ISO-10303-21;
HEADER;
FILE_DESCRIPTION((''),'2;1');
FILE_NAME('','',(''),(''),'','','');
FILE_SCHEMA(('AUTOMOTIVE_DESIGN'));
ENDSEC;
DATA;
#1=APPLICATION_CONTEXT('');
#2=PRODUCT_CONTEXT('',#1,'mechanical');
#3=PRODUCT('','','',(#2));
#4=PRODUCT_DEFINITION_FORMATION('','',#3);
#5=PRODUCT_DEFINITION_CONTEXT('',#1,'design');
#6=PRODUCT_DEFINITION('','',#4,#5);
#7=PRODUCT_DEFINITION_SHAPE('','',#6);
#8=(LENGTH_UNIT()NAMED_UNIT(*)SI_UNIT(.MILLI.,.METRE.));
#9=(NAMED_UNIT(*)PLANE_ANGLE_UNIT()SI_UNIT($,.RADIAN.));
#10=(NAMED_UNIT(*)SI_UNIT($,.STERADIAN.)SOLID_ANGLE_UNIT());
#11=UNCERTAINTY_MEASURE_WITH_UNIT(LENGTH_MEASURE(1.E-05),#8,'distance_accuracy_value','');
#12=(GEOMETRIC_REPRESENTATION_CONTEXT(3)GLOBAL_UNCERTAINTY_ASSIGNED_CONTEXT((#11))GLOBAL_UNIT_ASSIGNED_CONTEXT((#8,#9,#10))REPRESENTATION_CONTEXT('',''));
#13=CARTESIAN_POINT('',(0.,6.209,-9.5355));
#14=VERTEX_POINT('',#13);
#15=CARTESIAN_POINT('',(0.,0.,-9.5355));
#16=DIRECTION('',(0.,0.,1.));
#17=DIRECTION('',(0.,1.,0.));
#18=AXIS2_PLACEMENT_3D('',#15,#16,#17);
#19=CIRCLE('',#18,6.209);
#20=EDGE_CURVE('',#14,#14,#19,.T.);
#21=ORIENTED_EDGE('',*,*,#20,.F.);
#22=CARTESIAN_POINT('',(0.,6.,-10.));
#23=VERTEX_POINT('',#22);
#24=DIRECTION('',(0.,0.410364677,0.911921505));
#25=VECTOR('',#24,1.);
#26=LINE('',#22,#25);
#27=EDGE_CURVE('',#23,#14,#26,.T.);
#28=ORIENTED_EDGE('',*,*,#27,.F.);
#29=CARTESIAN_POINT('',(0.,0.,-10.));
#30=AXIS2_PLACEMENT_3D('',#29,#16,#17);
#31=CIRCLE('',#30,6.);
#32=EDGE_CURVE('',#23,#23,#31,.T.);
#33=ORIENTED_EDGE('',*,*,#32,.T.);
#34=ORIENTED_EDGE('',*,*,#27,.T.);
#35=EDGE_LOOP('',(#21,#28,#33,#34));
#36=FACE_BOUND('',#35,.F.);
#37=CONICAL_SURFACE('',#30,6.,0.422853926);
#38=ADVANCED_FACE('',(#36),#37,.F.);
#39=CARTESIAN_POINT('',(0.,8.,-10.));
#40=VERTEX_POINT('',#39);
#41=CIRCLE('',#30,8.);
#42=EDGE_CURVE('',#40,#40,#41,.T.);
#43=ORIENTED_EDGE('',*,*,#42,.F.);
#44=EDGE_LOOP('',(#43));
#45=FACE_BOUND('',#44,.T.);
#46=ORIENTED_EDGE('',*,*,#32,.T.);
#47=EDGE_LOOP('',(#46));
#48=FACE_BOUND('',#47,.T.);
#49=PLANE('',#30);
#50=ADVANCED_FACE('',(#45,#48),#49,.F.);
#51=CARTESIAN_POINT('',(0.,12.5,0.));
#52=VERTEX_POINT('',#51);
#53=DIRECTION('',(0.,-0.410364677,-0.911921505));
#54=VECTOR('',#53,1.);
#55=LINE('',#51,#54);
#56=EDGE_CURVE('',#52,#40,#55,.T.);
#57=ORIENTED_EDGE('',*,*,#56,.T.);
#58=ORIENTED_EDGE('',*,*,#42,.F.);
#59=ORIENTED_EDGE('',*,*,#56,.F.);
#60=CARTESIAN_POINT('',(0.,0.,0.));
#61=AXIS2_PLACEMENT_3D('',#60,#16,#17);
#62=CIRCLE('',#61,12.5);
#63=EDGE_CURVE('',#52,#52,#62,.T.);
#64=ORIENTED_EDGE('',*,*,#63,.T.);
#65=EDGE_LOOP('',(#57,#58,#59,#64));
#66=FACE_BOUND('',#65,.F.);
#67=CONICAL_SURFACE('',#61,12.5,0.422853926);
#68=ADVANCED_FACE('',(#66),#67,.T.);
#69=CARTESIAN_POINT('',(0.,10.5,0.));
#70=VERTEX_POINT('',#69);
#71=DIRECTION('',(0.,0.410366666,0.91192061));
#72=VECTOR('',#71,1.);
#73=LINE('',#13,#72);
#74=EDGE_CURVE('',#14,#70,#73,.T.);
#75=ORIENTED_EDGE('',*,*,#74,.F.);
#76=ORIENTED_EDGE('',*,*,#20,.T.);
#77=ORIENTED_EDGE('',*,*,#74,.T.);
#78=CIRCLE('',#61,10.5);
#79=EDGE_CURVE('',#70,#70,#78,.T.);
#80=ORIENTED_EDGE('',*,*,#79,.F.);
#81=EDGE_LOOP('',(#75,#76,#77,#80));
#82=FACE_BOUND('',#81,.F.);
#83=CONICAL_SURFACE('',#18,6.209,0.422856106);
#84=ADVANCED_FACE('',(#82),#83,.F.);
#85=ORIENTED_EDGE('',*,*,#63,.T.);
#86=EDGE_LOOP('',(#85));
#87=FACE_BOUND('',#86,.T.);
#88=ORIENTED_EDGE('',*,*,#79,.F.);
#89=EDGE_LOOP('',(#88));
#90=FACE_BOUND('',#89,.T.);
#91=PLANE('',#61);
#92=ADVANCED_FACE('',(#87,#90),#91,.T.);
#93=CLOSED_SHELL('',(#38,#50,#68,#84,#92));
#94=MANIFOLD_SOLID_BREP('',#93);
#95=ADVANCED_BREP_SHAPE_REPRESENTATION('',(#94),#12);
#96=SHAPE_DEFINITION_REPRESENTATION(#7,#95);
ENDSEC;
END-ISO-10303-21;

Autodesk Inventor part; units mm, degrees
ref_plane "YZ Plane" through (0, 0, 0) normal (1, 0, 0) x (0, 1, 0)
ref_plane "XZ Plane" through (0, 0, 0) normal (0, 1, 0) x (-1, 0, 0)
ref_plane "XY Plane" through (0, 0, 0) normal (0, 0, 1) x (1, 0, 0)
sketch "Skizze4" plane through (0, 0, 0) normal (1, 0, 0) x (0, 1, 0)
  line L0 (-2.5, 0) -> (15, 0) construction
  line L1 (0, -12) -> (0, 2) projected
  line L2 (12.5, 0) -> (8, -10)
  line L3 (6.209, -9.5355) -> (10.5, 0)
  line L4 (6, -10) -> (10.5, 0)
  line L5 (12.5, 0) -> (10.5, 0)
  line L6 (6, -10) -> (8, -10)
  point P0 (0, 0)
  dimension "d6" = 25
  dimension "d7" = 12
  dimension "d8" = 2
  dimension "d9" = 10
revolve "Umdrehung1" add sketch "Skizze4" angle 360 about axis through (0, 0, -10) along (0, 0, 1)
properties part number "Lampignon_25x10" material "geeigneten Werkstoff auswählen !"
